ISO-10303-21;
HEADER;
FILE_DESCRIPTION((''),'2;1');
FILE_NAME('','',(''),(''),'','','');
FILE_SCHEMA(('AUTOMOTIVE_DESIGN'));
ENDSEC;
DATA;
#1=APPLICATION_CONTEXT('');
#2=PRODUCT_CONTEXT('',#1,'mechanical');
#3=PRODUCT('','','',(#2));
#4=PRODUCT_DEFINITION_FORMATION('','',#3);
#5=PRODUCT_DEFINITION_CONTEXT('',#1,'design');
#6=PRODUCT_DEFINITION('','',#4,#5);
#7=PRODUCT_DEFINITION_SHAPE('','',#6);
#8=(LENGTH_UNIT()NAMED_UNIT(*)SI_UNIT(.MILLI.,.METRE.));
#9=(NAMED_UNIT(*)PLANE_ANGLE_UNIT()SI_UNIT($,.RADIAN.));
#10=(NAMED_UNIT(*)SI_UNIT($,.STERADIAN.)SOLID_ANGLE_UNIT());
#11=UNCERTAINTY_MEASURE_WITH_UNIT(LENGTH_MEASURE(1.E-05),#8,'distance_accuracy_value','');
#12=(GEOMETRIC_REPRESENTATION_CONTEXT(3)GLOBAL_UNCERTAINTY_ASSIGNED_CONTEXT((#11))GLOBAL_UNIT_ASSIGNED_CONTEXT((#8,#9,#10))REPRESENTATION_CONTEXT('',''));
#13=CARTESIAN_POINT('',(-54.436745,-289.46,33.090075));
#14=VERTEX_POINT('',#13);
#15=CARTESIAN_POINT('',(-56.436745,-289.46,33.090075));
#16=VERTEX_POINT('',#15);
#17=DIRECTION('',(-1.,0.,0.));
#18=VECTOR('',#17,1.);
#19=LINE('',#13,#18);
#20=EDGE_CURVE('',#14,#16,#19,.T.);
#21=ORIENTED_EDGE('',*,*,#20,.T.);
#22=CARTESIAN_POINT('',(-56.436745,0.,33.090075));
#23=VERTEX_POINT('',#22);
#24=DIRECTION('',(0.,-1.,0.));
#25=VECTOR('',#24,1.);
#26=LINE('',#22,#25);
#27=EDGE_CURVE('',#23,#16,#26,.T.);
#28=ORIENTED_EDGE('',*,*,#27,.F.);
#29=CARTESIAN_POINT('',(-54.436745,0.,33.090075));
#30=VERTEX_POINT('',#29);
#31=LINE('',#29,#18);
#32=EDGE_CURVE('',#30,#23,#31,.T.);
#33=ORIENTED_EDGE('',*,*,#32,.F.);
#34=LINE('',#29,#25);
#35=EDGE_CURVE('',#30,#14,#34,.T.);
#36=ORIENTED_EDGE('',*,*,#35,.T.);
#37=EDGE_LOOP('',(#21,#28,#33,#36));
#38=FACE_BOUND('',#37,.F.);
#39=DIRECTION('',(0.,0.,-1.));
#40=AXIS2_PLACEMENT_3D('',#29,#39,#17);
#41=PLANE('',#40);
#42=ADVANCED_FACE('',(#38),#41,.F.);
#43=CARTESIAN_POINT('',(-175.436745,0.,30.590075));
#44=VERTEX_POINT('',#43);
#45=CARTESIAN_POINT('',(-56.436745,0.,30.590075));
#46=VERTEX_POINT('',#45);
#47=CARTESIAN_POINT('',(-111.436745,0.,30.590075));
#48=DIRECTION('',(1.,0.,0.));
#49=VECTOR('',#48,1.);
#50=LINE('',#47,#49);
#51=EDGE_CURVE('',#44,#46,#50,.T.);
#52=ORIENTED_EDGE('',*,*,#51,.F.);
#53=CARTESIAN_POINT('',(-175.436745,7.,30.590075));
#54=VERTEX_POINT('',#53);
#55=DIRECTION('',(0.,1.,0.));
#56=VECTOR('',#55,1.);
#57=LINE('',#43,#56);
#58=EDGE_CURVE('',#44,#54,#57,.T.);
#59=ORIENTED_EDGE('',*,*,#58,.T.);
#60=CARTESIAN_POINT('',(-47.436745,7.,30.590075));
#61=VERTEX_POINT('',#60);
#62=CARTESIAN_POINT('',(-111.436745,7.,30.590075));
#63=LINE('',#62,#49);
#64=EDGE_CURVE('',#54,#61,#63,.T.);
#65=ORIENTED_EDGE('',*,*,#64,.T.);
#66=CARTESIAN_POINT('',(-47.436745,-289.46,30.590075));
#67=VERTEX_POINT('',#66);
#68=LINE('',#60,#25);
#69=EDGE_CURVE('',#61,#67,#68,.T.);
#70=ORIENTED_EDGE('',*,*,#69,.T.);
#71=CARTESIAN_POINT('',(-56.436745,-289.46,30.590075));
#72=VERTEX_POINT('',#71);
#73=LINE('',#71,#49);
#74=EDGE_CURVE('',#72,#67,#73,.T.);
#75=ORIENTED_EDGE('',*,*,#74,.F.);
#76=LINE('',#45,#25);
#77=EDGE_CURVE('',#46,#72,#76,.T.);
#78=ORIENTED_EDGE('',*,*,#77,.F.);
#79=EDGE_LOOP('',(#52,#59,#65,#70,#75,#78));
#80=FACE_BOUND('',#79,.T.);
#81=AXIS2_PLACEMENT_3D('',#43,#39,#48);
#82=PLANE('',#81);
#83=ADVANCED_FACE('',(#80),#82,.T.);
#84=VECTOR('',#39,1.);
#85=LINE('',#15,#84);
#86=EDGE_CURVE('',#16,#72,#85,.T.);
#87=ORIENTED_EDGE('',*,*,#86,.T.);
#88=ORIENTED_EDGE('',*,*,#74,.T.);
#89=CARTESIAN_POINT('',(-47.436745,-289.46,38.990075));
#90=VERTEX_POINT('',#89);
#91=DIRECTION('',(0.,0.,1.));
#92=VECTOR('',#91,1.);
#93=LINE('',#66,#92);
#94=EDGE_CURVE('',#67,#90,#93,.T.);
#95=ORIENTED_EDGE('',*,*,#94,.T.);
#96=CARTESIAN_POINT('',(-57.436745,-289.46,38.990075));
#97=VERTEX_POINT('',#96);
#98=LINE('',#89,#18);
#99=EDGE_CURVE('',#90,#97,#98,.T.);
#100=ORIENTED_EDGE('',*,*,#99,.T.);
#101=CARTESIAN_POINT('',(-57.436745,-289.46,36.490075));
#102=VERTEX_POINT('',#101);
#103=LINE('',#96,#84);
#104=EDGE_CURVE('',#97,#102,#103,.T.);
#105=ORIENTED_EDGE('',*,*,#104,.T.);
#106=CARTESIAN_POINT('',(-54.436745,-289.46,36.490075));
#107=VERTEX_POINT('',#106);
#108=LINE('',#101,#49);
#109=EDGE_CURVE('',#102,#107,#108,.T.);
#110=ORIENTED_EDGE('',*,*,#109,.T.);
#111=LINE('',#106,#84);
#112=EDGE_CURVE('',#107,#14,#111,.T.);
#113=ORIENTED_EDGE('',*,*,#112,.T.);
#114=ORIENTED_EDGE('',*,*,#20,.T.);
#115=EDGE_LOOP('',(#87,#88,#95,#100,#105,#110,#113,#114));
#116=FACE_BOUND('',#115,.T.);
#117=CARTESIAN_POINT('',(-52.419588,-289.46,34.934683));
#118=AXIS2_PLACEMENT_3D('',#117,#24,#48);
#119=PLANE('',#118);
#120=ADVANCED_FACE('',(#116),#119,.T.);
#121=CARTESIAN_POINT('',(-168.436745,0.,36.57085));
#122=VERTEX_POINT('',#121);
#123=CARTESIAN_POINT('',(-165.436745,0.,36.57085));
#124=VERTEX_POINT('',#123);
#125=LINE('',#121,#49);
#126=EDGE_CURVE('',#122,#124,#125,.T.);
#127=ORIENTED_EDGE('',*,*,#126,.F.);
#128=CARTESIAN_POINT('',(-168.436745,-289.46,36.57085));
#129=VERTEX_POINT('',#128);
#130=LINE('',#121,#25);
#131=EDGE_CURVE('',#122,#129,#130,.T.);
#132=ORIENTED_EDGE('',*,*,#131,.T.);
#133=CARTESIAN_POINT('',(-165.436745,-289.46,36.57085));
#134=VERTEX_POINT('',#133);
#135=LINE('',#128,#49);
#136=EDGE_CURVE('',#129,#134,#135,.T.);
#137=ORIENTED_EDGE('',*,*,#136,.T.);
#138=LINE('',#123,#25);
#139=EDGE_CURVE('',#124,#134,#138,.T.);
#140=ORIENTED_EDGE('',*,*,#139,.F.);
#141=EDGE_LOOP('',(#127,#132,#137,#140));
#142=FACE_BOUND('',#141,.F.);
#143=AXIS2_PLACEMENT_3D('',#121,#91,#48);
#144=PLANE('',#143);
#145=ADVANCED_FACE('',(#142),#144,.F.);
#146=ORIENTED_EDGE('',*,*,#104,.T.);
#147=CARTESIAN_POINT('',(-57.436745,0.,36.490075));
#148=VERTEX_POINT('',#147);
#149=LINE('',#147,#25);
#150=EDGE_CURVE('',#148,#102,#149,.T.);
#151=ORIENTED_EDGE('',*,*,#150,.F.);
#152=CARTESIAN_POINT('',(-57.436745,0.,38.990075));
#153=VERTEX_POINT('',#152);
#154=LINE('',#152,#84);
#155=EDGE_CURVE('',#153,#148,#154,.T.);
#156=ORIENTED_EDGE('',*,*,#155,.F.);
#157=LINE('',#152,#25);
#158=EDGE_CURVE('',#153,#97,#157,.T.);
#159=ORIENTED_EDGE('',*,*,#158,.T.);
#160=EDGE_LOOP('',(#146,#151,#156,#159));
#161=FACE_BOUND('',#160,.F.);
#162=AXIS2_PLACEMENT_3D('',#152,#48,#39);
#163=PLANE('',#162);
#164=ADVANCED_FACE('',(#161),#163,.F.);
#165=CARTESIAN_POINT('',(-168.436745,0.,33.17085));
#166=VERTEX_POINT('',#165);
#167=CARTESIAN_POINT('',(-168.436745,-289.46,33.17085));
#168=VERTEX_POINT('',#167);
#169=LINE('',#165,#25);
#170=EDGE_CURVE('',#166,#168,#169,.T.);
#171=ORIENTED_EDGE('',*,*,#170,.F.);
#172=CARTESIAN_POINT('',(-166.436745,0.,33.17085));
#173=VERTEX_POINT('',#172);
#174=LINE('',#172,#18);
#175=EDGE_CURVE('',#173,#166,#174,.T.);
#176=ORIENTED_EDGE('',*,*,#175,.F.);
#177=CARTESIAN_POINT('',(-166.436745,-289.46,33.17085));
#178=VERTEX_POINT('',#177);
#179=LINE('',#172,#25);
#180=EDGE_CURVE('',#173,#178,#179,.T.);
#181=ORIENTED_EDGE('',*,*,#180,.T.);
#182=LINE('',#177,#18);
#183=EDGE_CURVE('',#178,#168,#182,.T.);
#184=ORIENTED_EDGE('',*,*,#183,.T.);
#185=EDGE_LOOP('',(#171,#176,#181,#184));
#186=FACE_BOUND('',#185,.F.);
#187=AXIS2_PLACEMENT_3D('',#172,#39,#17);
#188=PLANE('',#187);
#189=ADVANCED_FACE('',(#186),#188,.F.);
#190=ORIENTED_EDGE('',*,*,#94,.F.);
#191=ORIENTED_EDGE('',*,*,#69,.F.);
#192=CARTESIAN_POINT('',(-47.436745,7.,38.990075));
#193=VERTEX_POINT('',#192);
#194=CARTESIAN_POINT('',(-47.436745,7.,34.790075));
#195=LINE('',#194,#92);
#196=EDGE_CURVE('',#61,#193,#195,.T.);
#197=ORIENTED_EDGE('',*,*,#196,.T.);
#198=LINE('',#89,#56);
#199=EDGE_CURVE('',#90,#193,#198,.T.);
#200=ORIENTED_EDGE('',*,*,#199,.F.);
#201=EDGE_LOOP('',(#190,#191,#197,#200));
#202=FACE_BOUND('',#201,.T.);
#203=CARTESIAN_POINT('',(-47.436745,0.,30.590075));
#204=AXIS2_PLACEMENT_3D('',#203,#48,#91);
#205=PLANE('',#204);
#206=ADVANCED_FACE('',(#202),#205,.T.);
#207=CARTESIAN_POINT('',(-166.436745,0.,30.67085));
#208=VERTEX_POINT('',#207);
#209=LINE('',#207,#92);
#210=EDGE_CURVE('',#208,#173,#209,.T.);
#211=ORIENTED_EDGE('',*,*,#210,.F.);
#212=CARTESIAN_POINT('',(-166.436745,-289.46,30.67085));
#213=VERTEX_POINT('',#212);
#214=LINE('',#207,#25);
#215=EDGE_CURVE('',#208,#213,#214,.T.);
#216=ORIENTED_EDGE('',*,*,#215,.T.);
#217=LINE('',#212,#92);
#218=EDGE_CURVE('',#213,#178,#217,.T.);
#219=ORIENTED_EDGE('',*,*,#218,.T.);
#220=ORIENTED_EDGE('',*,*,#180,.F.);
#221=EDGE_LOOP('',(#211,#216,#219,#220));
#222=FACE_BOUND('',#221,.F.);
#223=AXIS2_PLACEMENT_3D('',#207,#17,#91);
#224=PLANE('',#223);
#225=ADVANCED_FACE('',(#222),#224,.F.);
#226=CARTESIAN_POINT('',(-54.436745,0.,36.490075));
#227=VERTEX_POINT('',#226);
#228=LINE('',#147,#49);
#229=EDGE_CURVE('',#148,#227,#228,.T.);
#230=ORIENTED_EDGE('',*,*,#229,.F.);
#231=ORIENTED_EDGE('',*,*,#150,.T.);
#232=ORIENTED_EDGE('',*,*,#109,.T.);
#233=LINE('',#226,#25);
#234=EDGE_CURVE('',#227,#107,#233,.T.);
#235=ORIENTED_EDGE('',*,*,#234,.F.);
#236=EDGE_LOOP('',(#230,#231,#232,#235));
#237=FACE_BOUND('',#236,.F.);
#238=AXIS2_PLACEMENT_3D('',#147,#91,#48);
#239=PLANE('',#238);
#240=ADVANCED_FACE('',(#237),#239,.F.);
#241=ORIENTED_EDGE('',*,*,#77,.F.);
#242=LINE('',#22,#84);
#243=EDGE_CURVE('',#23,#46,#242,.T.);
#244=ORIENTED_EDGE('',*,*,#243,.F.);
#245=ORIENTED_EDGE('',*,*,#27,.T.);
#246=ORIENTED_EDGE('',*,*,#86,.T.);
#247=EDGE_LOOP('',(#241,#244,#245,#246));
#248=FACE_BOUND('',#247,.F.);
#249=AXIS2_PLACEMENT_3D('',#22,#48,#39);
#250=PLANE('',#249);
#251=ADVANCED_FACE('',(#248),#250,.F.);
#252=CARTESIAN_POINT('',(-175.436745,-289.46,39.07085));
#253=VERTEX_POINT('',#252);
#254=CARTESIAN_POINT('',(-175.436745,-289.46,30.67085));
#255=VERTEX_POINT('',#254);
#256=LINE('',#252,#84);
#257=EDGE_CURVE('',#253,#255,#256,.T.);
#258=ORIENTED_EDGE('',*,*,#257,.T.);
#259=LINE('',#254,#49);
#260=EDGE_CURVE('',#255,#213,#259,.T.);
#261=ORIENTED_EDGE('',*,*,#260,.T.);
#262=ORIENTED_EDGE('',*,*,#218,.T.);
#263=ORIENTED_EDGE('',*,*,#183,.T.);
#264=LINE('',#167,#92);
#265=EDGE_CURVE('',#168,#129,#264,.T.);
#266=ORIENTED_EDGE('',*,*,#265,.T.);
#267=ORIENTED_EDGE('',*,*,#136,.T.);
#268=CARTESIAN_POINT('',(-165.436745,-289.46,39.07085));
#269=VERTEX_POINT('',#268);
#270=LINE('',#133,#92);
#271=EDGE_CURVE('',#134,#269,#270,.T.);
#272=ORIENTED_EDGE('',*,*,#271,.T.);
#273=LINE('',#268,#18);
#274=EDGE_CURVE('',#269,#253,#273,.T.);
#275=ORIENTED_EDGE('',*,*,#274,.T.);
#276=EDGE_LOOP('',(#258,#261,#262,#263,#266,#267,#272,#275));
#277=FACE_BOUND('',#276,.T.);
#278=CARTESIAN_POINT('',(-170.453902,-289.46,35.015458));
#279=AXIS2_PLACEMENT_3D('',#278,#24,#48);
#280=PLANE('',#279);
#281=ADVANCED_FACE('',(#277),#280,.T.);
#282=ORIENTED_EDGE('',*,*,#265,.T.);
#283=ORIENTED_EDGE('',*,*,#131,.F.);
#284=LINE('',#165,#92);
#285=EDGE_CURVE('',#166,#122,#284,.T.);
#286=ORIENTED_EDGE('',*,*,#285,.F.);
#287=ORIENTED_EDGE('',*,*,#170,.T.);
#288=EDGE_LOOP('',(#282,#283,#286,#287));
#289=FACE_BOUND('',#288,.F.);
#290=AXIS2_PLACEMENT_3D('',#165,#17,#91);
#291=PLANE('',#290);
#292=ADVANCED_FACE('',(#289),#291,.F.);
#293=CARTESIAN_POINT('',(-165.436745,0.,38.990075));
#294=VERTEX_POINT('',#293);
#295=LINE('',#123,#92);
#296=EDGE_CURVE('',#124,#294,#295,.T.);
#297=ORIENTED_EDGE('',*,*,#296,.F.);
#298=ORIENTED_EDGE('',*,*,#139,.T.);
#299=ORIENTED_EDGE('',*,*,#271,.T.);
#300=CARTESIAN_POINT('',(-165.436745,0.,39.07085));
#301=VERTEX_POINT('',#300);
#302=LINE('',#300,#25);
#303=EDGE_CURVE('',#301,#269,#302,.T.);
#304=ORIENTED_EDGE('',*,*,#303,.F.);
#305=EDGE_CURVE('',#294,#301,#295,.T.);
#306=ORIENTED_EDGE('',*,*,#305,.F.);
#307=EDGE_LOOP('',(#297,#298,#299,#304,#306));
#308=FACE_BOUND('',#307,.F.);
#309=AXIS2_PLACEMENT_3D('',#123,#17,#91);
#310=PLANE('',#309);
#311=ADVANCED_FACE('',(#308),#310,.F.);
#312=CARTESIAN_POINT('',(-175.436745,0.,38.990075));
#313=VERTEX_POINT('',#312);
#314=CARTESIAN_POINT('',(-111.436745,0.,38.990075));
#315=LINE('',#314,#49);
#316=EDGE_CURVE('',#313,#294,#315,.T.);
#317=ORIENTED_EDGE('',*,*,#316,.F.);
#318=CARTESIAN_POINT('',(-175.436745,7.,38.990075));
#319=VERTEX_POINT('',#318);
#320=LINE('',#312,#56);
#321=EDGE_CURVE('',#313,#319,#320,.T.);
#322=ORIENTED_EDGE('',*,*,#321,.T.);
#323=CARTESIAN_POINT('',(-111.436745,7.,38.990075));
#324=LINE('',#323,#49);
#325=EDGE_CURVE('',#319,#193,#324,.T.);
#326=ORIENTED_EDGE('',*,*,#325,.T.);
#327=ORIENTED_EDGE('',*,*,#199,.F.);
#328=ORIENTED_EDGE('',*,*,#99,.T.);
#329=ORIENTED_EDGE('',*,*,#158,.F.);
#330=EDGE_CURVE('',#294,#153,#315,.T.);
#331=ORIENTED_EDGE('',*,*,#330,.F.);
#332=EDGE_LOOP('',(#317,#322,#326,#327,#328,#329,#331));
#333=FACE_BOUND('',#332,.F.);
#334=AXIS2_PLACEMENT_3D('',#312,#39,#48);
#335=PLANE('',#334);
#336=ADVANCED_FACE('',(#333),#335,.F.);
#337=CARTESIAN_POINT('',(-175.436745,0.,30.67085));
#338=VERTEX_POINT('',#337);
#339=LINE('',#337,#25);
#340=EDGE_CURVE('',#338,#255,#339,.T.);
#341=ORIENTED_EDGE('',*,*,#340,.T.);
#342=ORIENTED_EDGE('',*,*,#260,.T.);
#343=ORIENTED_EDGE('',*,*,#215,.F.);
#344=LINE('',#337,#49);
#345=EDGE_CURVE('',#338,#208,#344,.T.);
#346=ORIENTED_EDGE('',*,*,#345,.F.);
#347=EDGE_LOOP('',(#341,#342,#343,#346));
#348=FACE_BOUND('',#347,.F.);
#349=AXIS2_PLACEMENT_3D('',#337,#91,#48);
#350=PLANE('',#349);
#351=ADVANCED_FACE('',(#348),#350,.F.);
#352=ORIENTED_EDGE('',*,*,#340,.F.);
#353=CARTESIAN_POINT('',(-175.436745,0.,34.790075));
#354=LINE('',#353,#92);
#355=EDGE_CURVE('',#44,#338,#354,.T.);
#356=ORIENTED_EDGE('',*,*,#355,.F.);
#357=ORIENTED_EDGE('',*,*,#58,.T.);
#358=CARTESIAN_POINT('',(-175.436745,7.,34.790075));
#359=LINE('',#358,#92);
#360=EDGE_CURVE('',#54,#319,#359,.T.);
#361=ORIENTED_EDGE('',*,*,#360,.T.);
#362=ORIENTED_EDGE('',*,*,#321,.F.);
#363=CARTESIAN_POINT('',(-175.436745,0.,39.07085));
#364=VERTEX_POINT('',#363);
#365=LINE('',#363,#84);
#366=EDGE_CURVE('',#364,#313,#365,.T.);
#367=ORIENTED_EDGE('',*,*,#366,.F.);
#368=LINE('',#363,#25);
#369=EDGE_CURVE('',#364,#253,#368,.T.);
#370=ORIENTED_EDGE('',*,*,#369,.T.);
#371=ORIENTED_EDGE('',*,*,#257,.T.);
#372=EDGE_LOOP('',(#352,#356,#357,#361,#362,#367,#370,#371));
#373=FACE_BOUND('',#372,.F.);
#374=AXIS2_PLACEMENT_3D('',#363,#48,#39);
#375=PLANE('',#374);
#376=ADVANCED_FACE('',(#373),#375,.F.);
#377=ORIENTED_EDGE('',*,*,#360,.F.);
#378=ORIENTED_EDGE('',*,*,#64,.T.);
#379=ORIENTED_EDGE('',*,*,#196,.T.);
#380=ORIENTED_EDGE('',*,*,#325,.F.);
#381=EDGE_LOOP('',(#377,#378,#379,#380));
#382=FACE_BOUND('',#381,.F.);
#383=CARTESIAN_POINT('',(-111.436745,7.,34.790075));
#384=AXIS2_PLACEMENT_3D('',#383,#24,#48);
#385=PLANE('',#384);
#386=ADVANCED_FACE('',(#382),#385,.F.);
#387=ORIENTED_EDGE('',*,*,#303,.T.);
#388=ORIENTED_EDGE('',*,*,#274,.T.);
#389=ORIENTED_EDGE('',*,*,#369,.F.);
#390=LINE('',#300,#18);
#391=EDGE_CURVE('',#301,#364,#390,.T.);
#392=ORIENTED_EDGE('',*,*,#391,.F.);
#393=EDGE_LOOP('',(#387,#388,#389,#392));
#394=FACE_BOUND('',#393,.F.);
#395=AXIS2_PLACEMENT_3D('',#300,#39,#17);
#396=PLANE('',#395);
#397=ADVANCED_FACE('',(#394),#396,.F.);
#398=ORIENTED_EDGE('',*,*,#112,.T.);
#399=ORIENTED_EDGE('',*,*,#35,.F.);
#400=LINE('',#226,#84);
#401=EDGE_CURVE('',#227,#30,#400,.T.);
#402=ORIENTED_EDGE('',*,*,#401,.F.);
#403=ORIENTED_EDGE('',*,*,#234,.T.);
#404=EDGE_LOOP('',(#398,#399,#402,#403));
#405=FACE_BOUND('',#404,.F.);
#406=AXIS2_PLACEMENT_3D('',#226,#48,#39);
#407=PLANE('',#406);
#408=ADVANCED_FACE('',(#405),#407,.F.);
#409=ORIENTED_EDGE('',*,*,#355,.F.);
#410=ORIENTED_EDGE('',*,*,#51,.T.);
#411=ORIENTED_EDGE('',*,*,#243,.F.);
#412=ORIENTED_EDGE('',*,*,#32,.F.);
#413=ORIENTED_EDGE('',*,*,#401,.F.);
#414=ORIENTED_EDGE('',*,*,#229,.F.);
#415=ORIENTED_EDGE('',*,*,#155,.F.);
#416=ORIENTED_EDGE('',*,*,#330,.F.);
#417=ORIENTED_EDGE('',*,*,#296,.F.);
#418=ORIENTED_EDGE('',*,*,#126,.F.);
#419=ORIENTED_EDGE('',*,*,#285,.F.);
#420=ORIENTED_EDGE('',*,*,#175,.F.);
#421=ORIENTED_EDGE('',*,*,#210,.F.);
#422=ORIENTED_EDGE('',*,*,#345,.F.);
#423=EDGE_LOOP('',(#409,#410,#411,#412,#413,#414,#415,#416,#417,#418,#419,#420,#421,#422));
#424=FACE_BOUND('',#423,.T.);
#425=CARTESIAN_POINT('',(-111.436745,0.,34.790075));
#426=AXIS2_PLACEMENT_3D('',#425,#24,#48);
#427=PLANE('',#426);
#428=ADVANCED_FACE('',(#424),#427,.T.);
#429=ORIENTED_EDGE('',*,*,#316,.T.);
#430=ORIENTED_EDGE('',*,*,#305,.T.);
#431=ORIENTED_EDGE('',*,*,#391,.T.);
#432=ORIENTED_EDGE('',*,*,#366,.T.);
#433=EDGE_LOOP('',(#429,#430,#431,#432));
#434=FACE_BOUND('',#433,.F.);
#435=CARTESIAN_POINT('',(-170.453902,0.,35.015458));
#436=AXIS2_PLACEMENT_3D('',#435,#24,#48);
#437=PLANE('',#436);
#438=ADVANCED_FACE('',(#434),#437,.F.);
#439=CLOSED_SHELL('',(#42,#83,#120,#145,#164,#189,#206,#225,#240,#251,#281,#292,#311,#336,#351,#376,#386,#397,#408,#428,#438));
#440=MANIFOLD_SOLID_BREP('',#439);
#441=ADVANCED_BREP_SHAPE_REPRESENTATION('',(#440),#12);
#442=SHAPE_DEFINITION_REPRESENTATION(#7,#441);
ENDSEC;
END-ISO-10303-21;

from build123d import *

# Parameters (mm, degrees)
F1_DEPTH = 289.46
F2_W     = 128
F2_H     = 8.4
F3_DEPTH = 7
F5_DEPTH = 289.46


with BuildPart() as f1:
    # F0 (on Front) → F1 (new body)
    with BuildSketch(Plane.XZ):
        Polygon((-47.436745, 38.990075), (-57.436745, 38.990075), (-57.436745, 36.490075), (-54.436745, 36.490075), (-54.436745, 33.090075), (-56.436745, 33.090075), (-56.436745, 30.590075), (-47.436745, 30.590075), align=None)
    extrude(amount=F1_DEPTH)

    # F2 (on Front) → F3 (join)
    with BuildSketch(Plane.XZ):
        with Locations((-111.436745, 34.790075)):
            Rectangle(F2_W, F2_H)
    extrude(amount=-F3_DEPTH)

    # F4 (on Front) → F5 (join)
    with BuildSketch(Plane.XZ):
        Polygon((-165.436745, 36.57085), (-165.436745, 39.07085), (-175.436745, 39.07085), (-175.436745, 30.67085), (-166.436745, 30.67085), (-166.436745, 33.17085), (-168.436745, 33.17085), (-168.436745, 36.57085), align=None)
    extrude(amount=F5_DEPTH)


solid = f1.part
